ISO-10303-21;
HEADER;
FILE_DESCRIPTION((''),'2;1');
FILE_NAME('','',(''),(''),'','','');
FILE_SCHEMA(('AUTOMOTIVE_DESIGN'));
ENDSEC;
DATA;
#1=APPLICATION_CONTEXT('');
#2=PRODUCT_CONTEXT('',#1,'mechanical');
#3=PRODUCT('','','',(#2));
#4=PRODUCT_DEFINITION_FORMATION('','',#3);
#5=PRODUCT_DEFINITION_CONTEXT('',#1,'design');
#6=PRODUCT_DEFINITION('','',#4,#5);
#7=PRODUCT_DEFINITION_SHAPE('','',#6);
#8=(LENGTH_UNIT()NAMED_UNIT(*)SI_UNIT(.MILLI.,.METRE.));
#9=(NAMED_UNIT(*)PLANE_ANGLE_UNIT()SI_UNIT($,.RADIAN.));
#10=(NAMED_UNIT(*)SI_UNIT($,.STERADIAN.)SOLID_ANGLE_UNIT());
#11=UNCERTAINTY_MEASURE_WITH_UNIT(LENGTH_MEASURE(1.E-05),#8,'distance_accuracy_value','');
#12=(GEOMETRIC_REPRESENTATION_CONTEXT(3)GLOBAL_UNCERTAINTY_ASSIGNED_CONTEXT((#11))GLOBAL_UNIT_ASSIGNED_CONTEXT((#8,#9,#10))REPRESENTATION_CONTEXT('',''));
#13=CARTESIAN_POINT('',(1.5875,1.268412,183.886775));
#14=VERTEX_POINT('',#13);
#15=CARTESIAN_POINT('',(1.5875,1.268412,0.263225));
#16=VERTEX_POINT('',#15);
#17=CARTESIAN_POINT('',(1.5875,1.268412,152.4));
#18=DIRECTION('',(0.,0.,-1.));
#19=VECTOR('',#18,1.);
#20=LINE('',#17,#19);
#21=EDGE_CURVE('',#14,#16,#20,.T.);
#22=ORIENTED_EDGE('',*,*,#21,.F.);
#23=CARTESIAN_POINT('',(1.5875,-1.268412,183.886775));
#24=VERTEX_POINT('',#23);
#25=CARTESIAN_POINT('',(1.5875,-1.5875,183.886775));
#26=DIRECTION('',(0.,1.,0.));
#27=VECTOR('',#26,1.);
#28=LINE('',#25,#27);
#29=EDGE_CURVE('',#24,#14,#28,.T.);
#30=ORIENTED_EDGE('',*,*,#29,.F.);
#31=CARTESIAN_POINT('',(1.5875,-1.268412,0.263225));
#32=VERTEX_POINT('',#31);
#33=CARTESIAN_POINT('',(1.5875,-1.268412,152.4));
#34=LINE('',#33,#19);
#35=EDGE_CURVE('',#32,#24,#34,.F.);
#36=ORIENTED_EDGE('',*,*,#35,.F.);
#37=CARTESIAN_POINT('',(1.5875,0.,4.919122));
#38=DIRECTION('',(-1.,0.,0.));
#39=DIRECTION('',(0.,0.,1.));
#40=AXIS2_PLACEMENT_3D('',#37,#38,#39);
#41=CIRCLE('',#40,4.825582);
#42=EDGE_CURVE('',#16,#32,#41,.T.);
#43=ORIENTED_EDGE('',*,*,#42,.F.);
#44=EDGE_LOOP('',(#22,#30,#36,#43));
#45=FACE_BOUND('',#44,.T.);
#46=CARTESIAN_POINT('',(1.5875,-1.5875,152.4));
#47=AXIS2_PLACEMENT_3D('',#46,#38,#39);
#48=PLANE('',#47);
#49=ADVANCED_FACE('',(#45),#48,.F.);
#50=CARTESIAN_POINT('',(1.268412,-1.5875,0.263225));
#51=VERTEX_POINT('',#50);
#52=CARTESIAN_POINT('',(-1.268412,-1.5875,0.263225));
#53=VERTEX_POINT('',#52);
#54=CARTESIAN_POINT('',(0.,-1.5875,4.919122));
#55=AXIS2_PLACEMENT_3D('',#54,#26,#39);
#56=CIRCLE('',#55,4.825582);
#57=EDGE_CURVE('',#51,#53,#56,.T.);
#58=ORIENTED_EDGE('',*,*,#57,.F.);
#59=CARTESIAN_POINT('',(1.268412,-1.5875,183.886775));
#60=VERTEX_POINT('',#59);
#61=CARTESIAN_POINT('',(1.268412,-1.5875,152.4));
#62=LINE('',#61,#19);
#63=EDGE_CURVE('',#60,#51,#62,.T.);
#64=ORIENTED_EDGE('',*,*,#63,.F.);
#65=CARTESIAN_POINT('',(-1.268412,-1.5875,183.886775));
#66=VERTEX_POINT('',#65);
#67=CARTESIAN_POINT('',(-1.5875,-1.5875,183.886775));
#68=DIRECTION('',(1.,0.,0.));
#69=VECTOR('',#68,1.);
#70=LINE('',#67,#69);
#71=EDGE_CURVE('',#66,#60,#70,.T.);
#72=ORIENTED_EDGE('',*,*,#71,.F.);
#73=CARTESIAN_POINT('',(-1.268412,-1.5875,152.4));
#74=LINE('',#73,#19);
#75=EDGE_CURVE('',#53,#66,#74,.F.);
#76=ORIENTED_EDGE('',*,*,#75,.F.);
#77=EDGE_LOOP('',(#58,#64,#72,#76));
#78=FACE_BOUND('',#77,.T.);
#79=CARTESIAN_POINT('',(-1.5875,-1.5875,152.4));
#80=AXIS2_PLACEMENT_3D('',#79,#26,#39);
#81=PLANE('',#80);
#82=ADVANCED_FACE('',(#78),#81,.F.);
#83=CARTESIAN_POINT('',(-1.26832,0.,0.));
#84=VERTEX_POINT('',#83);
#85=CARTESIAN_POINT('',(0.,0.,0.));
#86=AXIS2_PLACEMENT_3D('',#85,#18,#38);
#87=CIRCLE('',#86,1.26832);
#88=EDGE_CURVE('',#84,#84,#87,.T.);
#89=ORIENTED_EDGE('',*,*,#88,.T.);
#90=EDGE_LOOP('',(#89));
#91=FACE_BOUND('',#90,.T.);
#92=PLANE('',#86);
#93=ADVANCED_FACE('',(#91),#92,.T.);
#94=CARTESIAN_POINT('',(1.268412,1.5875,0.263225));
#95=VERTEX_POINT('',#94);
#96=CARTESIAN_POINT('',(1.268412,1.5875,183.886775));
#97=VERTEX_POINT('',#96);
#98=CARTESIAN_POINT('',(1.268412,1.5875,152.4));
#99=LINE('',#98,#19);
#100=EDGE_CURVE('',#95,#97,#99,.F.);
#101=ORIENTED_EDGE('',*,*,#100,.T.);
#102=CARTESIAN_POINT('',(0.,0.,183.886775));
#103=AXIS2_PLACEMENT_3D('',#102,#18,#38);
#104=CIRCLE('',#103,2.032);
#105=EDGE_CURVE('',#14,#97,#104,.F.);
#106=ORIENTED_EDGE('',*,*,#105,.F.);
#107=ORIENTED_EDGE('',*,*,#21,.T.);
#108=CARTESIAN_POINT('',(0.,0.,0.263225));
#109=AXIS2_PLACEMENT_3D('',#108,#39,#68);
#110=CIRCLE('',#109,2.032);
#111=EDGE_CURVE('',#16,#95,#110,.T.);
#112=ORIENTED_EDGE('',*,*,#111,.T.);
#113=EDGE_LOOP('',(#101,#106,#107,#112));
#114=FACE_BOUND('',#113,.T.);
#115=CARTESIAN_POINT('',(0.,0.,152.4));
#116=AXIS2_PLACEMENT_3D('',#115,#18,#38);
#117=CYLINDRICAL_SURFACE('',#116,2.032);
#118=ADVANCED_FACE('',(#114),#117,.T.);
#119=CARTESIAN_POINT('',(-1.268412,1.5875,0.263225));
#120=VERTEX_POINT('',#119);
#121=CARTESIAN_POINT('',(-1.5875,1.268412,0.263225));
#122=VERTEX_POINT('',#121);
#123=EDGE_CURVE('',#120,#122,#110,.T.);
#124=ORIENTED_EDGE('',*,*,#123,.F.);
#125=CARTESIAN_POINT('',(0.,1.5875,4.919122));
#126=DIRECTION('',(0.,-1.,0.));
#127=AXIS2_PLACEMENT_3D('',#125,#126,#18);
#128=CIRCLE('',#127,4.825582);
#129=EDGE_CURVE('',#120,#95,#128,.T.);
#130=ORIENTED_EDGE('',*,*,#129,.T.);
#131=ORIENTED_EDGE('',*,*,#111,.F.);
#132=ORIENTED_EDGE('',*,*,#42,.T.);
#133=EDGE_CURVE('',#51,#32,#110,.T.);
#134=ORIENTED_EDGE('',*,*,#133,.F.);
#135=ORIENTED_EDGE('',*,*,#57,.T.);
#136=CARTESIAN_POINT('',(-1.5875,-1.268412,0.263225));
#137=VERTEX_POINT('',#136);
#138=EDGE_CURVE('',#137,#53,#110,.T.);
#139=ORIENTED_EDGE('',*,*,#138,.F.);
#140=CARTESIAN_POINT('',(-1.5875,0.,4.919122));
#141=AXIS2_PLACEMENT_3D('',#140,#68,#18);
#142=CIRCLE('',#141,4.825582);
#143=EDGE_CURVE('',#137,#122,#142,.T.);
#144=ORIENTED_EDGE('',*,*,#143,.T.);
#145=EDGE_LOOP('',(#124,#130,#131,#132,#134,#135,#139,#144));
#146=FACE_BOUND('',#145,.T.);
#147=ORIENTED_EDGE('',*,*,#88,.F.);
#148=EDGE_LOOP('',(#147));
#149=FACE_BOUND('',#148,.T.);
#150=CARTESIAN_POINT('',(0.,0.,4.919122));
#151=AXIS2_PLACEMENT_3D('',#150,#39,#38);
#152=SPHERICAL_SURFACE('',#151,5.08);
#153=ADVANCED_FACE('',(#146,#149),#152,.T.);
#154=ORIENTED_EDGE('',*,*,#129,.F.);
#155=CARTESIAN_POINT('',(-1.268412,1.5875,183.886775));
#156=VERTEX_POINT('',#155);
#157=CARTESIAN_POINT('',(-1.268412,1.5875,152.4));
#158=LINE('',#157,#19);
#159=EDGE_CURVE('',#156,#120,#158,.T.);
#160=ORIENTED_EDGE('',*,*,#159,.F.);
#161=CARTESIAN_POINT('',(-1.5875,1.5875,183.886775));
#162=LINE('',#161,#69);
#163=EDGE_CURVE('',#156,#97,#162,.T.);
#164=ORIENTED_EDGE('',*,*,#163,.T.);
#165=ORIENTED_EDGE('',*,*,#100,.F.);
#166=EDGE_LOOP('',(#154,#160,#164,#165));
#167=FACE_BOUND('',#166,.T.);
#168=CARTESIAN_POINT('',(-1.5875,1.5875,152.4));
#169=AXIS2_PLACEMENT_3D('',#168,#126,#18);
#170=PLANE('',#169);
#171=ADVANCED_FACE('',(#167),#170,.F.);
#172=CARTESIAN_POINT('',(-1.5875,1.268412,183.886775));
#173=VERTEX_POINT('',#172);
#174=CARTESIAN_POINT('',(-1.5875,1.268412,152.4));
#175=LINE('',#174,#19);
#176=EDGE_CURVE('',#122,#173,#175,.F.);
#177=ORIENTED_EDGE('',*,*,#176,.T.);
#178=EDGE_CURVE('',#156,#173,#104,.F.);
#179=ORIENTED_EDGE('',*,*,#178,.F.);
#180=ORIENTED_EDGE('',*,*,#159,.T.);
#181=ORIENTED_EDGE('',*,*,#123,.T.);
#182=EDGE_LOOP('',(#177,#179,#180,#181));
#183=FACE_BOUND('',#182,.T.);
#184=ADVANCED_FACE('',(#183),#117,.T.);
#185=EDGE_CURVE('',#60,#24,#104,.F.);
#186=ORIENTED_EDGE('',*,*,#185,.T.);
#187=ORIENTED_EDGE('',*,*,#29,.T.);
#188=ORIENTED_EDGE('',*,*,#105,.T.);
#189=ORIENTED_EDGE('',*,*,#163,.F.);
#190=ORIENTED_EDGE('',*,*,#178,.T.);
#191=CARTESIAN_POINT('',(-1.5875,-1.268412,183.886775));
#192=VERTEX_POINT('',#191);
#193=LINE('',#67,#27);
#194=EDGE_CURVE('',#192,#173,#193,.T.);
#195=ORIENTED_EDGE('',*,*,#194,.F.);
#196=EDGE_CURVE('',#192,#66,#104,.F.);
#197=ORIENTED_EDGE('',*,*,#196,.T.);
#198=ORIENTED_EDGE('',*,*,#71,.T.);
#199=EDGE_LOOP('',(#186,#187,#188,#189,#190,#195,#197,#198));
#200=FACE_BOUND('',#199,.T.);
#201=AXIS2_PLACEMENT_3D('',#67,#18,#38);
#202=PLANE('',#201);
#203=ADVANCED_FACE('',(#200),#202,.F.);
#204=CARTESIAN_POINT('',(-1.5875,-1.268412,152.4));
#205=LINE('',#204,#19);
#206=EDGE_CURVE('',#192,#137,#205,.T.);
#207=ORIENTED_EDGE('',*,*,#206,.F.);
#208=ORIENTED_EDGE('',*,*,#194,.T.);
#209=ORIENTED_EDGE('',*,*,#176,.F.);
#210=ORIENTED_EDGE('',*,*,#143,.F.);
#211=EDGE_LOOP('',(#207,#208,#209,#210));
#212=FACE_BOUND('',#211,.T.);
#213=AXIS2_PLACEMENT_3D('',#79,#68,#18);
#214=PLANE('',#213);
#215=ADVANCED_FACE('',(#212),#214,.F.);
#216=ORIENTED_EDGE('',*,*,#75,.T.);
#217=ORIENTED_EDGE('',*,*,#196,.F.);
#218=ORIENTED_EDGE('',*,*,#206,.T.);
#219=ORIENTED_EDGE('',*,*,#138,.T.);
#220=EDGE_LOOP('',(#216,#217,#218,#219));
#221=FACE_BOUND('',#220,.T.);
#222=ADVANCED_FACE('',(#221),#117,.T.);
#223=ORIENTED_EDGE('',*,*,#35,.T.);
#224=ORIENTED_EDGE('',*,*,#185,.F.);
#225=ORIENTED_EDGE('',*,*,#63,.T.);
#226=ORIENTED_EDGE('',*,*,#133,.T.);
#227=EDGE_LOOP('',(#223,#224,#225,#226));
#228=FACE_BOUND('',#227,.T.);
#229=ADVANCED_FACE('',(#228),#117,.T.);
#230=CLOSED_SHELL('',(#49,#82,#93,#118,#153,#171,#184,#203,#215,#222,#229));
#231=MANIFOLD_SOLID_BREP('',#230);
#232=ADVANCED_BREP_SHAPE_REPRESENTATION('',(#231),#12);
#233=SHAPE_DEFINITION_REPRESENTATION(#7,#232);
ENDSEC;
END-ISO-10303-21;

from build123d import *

# Parameters (mm, degrees)
SKETCH1_W           = 3.175
SKETCH1_H           = 3.175
BOSS_EXTRUDE1_DEPTH = 152.4
SKETCH2_OUTSIDE_W   = 35.668
SKETCH2_OUTSIDE_H   = 35.668
SKETCH2_OUTSIDE_R   = 2.032
CUT_EXTRUDE1_DEPTH  = 153.416535561
SKETCH4_W           = 120.65
SKETCH4_H           = 3.175
CUT_EXTRUDE2_DEPTH  = 305.820669872


with BuildPart() as part:
    # Sketch1 → Boss-Extrude1 (new body)
    with BuildSketch(Plane.XY):
        Rectangle(SKETCH1_W, SKETCH1_H)
    extrude(amount=BOSS_EXTRUDE1_DEPTH)

    # Sketch2 outside → Cut-Extrude1 (cut, through all)
    with BuildSketch(Plane(origin=(0, 0, 0), x_dir=(-1, 0, 0), z_dir=(0, 0, -1))):
        Rectangle(SKETCH2_OUTSIDE_W, SKETCH2_OUTSIDE_H)
        Circle(SKETCH2_OUTSIDE_R, mode=Mode.SUBTRACT)
    extrude(amount=-CUT_EXTRUDE1_DEPTH, mode=Mode.SUBTRACT)

    # Sketch3 → Cut-Revolve1 (revolve, cut)
    with BuildSketch(Plane(origin=(0, 0, 0), x_dir=(1, 0, 0), z_dir=(0, 1, 0))):
        with BuildLine():
            Line((-5.053685963, -4.40273269), (-5.053685963, 5.740530545))
            Line((-5.053685963, 5.740530545), (0, 5.740530545))
            Line((0, 5.740530545), (0, 0.160877736))
            ThreePointArc((0, 0.160877736), (-3.404639553, -1.148866368), (-5.053685963, -4.40273269))
        make_face()
    revolve(axis=Axis((0, 0, 152.4), (0, 0, -1)), mode=Mode.SUBTRACT)

    # Mirror1: part across plane


with BuildPart() as part_1:
    add(part.part)
    add(part.part.mirror(Plane(origin=(0, 0, 152.4), x_dir=(1, 0, 0), z_dir=(0, 0, -1))))

    # Sketch4 → Cut-Extrude2 (cut, through all)
    with BuildSketch(Plane(origin=(1.5875, 0, 0), x_dir=(0, 0, -1), z_dir=(1, 0, 0))):
        with Locations((-244.211774642, 0)):
            Rectangle(SKETCH4_W, SKETCH4_H)
    extrude(amount=-CUT_EXTRUDE2_DEPTH, mode=Mode.SUBTRACT)


with BuildPart() as body_2:
    # of the pieces the cut leaves, the one that is kept (cut_extrude2_keep)
    add(part_1.part.solids().sort_by_distance((1.268411507, -1.5875, 0.263225358))[0])


solid = body_2.part
